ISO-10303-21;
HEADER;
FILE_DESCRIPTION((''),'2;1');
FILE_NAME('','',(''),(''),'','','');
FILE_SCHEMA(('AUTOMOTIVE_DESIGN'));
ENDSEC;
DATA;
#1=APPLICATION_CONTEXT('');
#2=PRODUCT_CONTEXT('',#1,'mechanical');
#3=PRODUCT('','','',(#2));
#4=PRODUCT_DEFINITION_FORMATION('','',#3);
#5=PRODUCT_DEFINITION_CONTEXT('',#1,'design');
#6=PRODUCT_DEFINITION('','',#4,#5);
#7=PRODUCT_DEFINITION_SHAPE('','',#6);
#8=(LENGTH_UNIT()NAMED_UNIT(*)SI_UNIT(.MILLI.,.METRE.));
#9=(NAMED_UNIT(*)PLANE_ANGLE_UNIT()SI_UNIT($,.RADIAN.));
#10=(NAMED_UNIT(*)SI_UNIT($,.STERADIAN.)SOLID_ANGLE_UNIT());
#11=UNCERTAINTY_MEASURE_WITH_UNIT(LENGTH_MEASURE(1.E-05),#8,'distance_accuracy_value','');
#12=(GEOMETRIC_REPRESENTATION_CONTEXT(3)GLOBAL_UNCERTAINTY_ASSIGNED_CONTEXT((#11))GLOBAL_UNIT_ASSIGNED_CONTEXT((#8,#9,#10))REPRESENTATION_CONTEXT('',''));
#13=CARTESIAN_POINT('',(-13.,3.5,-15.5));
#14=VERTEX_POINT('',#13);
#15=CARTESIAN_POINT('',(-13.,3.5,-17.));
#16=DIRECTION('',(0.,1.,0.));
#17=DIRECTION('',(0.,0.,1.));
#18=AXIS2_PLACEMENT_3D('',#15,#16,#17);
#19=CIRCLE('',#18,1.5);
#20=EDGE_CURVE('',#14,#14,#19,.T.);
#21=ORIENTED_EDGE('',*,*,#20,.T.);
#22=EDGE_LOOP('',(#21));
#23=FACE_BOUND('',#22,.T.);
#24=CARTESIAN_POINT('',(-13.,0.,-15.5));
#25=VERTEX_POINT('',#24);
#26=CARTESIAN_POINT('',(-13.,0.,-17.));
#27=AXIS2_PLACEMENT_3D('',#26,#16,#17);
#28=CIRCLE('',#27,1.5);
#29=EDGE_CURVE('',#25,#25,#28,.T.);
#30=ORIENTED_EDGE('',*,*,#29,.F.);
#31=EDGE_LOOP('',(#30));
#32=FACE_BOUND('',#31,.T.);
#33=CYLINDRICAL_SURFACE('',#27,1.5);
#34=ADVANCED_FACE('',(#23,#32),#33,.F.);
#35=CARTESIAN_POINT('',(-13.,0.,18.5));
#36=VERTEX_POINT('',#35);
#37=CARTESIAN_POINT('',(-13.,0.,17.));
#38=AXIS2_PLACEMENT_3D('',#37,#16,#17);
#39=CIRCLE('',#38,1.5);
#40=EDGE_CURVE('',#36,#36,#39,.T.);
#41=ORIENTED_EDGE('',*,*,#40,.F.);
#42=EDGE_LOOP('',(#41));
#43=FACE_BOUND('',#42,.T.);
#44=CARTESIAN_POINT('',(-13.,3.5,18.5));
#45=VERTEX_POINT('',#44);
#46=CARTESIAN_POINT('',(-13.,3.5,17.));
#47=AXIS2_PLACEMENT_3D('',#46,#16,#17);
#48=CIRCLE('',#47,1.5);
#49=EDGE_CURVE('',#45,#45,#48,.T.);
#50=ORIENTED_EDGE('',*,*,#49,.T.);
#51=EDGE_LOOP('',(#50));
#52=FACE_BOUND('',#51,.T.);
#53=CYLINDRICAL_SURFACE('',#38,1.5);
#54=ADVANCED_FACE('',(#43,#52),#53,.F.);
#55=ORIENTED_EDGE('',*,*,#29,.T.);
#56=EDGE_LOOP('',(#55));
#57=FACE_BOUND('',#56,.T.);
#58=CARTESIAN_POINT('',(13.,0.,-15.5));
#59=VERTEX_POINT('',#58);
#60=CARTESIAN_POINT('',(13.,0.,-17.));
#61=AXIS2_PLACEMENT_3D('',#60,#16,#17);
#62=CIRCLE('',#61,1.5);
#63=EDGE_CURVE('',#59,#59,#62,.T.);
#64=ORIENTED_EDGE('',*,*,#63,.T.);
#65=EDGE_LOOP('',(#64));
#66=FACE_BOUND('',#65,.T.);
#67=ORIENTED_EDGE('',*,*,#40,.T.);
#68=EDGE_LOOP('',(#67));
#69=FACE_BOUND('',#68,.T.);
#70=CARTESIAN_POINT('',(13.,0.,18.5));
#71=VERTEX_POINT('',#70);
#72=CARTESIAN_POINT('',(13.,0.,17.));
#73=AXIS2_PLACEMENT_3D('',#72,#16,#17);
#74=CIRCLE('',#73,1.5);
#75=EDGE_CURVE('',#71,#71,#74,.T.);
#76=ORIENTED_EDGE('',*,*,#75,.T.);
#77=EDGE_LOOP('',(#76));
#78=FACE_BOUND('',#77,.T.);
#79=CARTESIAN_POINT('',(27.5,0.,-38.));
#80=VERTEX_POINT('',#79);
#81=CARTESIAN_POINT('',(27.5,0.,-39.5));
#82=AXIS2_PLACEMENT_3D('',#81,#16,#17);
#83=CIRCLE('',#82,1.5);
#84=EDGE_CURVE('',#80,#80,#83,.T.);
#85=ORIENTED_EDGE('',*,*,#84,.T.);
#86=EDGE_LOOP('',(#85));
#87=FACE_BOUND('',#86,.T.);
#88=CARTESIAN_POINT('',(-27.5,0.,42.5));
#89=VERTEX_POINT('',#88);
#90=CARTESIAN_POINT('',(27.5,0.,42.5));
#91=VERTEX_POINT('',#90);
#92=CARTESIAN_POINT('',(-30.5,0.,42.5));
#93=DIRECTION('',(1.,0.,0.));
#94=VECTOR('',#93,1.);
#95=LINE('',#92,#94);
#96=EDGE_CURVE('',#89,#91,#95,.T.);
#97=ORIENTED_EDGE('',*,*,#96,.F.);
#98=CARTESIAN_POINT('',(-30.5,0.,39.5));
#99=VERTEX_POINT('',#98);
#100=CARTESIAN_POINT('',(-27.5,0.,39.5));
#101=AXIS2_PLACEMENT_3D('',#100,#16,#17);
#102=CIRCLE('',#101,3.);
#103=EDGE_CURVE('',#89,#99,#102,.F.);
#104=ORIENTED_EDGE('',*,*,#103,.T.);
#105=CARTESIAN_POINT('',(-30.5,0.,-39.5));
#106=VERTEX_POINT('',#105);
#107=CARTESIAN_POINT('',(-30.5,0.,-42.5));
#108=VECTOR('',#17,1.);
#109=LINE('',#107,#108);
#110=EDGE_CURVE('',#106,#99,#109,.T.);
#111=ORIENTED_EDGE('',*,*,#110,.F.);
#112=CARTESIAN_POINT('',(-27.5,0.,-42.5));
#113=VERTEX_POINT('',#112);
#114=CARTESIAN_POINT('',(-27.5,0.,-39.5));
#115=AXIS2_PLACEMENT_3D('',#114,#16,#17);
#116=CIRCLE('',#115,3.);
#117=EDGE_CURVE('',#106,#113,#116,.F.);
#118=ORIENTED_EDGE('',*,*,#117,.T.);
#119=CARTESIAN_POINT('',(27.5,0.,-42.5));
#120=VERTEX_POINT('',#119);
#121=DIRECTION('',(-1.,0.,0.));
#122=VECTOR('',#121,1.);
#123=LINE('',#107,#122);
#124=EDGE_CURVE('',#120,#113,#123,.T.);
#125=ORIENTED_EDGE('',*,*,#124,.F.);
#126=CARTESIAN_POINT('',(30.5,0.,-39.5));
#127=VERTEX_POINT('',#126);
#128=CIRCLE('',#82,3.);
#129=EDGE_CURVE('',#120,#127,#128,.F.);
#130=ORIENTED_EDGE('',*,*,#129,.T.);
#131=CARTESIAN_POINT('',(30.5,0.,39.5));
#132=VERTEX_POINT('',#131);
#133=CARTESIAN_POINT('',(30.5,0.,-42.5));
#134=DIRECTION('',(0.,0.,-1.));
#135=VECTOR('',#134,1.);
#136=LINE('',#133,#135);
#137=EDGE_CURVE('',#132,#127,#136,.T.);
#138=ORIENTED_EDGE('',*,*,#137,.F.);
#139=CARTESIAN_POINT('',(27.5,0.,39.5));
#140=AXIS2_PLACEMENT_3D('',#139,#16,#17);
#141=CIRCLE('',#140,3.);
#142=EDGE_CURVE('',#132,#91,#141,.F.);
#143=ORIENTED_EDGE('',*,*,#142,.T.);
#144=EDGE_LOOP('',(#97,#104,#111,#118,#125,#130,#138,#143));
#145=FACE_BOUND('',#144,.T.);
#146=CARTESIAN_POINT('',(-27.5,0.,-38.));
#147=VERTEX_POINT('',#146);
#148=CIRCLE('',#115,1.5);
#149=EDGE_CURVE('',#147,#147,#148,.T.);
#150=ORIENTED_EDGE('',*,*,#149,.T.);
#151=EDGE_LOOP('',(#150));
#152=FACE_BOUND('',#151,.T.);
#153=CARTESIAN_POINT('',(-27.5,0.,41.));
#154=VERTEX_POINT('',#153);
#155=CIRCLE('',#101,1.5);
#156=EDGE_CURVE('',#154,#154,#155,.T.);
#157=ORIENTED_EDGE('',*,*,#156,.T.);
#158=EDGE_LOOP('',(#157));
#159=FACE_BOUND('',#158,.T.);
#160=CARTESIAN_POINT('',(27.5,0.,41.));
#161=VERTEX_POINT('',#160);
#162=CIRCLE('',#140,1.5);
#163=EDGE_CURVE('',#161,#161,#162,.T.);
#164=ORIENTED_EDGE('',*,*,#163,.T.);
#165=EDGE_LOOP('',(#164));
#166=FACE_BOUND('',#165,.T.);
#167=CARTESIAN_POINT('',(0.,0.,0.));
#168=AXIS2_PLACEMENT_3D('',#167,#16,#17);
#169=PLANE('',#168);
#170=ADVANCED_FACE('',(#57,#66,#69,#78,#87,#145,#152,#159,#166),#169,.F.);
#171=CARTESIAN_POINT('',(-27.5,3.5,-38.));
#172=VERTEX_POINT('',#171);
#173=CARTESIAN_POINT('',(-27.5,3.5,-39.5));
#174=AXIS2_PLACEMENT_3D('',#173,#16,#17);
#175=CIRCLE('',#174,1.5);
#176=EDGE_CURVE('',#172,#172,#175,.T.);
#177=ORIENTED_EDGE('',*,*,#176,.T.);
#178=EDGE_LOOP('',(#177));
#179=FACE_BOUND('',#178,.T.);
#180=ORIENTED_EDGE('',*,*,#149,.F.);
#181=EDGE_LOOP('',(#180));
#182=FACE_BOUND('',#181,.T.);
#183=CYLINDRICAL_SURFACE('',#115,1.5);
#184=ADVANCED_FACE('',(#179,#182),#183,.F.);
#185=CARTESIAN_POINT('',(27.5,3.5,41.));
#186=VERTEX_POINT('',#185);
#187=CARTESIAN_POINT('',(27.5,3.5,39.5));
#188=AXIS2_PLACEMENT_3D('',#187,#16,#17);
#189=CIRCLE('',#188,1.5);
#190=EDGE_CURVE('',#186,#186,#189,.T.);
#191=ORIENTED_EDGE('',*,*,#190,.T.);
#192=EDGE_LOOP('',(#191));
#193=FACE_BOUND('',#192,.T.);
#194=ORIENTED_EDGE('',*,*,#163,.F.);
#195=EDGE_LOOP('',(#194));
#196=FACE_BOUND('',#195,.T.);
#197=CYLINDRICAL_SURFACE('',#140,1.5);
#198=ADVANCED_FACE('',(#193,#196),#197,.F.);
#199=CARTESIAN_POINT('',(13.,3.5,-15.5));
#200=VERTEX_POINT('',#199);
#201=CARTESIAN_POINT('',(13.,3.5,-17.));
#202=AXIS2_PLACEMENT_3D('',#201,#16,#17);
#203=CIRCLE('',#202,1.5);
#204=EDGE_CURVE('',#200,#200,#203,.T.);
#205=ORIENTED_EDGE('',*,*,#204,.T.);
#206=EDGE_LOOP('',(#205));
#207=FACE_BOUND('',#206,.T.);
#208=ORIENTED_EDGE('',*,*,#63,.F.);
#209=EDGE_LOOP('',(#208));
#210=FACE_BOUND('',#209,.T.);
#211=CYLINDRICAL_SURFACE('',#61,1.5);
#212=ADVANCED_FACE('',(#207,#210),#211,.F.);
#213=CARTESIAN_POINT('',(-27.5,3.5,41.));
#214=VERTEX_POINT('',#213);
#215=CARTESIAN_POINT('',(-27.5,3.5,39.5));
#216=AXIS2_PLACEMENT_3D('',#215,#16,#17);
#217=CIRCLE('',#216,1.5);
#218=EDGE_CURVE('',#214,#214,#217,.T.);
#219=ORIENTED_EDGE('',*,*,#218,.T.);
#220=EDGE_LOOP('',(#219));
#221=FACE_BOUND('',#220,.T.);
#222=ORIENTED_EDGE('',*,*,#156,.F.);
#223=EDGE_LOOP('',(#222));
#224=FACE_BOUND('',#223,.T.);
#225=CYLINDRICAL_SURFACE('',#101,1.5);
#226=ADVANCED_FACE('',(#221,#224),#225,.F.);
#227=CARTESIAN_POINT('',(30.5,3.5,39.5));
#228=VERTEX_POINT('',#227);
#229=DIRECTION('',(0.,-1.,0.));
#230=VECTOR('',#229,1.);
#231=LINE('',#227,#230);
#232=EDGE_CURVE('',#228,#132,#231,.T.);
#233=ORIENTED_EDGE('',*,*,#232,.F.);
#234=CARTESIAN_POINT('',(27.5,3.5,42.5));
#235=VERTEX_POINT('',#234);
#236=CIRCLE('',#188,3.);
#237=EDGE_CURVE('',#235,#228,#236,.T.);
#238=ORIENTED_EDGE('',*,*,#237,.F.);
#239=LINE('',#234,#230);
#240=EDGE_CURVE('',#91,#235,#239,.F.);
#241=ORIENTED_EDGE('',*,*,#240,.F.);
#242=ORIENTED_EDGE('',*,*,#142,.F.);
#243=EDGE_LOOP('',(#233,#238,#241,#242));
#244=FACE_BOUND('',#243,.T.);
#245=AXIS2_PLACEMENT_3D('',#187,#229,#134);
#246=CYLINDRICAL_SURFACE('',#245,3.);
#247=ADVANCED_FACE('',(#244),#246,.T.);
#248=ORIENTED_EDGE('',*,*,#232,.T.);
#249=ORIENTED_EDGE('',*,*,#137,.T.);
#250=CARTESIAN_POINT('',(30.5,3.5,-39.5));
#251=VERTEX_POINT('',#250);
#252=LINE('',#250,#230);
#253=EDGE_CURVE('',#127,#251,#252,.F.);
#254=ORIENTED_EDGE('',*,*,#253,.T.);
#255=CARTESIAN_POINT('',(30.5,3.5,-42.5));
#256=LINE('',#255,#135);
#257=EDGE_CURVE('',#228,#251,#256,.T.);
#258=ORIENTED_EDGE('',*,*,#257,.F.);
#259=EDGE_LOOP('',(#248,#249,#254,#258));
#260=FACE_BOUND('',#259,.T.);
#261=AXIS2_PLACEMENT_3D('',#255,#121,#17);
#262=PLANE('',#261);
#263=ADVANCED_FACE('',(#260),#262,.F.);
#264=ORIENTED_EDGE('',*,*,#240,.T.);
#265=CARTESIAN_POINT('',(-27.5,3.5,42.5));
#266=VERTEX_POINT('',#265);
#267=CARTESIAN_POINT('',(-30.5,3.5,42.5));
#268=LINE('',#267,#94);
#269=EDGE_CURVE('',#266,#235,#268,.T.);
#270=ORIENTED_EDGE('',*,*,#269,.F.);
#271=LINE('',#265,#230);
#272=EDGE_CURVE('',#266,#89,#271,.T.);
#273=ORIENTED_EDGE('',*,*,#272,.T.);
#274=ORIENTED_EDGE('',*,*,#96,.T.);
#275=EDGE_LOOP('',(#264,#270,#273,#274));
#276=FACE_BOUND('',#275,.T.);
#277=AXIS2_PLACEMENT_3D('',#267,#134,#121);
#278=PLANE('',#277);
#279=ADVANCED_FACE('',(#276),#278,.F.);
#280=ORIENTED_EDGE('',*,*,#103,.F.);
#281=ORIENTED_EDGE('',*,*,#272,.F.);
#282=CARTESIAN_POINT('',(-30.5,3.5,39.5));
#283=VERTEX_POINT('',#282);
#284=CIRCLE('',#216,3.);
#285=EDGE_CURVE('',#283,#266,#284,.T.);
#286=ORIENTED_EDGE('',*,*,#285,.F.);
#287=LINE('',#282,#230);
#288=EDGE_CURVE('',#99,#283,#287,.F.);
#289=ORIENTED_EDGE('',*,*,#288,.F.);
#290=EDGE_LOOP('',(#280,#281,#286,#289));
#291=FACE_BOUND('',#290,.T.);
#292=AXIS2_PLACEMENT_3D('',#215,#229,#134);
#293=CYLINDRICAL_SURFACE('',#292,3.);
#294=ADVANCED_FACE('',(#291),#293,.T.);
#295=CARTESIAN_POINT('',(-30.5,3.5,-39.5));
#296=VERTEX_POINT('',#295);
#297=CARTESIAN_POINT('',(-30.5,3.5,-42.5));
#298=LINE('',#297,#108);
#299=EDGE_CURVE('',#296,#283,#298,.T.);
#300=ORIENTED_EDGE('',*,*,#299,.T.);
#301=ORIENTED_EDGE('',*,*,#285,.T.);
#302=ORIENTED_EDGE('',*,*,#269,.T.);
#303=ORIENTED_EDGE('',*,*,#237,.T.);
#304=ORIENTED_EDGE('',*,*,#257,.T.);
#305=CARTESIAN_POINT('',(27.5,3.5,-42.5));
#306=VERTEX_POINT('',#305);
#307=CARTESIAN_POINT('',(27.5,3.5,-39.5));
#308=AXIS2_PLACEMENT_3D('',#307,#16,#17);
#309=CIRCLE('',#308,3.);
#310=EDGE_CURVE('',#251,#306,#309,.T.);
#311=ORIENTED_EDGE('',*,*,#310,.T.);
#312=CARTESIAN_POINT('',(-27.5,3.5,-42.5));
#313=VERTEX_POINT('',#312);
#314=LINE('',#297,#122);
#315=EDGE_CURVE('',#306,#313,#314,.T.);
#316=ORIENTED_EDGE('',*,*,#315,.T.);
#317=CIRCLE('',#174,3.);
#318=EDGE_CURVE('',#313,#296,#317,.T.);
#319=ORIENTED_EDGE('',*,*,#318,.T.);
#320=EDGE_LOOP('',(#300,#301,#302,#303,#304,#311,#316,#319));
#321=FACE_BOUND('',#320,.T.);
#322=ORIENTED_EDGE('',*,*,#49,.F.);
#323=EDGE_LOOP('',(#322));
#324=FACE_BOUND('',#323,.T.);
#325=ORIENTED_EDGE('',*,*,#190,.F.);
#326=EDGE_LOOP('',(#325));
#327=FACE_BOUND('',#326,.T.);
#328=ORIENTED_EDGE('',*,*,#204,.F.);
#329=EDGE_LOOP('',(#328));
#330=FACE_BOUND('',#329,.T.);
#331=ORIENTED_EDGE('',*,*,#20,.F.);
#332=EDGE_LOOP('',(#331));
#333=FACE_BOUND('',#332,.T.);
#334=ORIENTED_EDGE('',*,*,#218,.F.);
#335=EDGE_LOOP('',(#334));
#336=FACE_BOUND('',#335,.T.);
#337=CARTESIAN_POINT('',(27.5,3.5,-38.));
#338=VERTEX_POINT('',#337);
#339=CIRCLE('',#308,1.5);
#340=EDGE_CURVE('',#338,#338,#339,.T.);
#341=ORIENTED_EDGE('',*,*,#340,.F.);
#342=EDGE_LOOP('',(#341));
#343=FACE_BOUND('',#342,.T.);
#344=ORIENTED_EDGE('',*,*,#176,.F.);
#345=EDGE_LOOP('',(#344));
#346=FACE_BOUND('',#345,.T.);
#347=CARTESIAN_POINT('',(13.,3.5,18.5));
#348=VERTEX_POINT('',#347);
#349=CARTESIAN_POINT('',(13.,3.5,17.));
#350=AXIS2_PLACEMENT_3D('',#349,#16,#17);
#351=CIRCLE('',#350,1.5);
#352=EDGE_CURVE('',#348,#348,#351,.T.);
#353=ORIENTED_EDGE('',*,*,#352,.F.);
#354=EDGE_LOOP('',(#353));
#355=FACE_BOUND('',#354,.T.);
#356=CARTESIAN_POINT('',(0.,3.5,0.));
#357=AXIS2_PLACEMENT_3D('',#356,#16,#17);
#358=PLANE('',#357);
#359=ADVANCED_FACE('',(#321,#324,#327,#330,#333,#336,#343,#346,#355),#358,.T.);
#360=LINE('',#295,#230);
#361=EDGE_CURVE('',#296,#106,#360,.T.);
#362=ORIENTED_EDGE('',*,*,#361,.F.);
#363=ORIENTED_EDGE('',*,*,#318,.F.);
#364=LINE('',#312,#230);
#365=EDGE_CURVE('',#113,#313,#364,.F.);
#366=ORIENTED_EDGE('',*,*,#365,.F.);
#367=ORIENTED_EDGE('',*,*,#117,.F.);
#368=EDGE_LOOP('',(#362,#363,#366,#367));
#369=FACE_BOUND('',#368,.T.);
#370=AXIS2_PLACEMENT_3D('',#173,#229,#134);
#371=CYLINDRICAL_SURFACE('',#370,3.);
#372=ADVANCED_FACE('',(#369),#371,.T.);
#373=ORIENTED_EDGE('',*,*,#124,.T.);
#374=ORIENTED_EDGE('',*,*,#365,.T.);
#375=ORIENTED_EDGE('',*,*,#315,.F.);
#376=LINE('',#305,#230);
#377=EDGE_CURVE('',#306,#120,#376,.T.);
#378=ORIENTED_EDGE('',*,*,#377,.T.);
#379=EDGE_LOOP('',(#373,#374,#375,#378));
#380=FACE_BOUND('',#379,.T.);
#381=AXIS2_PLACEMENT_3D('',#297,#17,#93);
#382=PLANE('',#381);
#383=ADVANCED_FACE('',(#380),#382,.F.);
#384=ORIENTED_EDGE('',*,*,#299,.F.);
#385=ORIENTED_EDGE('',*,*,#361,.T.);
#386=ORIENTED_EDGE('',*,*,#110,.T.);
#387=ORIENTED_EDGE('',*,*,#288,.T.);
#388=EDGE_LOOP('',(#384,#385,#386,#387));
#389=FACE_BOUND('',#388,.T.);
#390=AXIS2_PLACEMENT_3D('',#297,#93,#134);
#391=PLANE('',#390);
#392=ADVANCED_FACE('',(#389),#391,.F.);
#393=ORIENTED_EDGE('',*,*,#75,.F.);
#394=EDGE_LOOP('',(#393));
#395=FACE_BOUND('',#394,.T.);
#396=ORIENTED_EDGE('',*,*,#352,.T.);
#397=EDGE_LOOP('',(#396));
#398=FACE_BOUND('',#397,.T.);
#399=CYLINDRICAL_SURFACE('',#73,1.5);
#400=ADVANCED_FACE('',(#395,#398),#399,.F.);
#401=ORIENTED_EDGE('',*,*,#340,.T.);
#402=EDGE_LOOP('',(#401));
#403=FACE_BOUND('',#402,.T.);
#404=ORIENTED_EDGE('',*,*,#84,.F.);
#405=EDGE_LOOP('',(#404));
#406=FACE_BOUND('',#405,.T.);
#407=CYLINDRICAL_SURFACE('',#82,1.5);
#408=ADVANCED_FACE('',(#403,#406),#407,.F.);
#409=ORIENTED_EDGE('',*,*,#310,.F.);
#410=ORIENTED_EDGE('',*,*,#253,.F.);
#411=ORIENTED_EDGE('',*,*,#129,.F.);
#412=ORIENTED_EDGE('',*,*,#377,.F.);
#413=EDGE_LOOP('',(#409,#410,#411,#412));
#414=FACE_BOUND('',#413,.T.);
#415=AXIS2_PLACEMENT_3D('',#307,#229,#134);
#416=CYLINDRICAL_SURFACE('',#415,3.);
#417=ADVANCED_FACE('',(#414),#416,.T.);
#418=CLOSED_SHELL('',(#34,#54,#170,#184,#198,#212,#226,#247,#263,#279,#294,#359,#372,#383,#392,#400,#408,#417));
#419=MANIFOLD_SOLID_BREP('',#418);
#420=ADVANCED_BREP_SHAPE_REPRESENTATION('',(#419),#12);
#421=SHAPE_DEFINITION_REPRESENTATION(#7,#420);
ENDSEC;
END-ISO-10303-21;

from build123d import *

# Parameters (mm, degrees)
SKETCH1_W           = 61
SKETCH1_H           = 85
BOSS_EXTRUDE1_DEPTH = 3.5
SKETCH2_R           = 1.5
CUT_EXTRUDE1_DEPTH  = 3.5
SKETCH3_R           = 1.5
CUT_EXTRUDE2_DEPTH  = 3.5
FILLET1_R           = 3


with BuildPart() as part:
    # Sketch1 → Boss-Extrude1 (new body)
    with BuildSketch(Plane(origin=(0, 0, 0), x_dir=(1, 0, 0), z_dir=(0, 1, 0))):
        Rectangle(SKETCH1_W, SKETCH1_H)
    extrude(amount=BOSS_EXTRUDE1_DEPTH)

    # Sketch2 → Cut-Extrude1 (cut)
    with BuildSketch(Plane(origin=(0, 3.5, 0), x_dir=(1, 0, 0), z_dir=(0, 1, 0))):
        with Locations(Location((-27.5, 39.5, 0), (0, 0, 270))):
            Circle(SKETCH2_R)
        with Locations(Location((27.5, 39.5, 0), (0, 0, 270))):
            Circle(SKETCH2_R)
        with Locations(Location((-27.5, -39.5, 0), (0, 0, 270))):
            Circle(SKETCH2_R)
        with Locations(Location((27.5, -39.5, 0), (0, 0, 270))):
            Circle(SKETCH2_R)
    extrude(amount=-CUT_EXTRUDE1_DEPTH, mode=Mode.SUBTRACT)

    # Sketch3 → Cut-Extrude2 (cut)
    with BuildSketch(Plane(origin=(0, 3.5, 0), x_dir=(1, 0, 0), z_dir=(0, 1, 0))):
        with Locations(Location((-13, 17, 0), (0, 0, 270))):
            Circle(SKETCH3_R)
        with Locations(Location((13, -17, 0), (0, 0, 270))):
            Circle(SKETCH3_R)
        with Locations(Location((13, 17, 0), (0, 0, 270))):
            Circle(SKETCH3_R)
        with Locations(Location((-13, -17, 0), (0, 0, 270))):
            Circle(SKETCH3_R)
    extrude(amount=-CUT_EXTRUDE2_DEPTH, mode=Mode.SUBTRACT)

    # Fillet1
    fillet1_edges = [part.edges().sort_by_distance(p)[0] for p in [
        (30.5, 1.75, 42.5),
        (-30.5, 1.75, 42.5),
        (-30.5, 1.75, -42.5),
        (30.5, 1.75, -42.5),
    ]]
    fillet(fillet1_edges, radius=FILLET1_R)


solid = part.part
